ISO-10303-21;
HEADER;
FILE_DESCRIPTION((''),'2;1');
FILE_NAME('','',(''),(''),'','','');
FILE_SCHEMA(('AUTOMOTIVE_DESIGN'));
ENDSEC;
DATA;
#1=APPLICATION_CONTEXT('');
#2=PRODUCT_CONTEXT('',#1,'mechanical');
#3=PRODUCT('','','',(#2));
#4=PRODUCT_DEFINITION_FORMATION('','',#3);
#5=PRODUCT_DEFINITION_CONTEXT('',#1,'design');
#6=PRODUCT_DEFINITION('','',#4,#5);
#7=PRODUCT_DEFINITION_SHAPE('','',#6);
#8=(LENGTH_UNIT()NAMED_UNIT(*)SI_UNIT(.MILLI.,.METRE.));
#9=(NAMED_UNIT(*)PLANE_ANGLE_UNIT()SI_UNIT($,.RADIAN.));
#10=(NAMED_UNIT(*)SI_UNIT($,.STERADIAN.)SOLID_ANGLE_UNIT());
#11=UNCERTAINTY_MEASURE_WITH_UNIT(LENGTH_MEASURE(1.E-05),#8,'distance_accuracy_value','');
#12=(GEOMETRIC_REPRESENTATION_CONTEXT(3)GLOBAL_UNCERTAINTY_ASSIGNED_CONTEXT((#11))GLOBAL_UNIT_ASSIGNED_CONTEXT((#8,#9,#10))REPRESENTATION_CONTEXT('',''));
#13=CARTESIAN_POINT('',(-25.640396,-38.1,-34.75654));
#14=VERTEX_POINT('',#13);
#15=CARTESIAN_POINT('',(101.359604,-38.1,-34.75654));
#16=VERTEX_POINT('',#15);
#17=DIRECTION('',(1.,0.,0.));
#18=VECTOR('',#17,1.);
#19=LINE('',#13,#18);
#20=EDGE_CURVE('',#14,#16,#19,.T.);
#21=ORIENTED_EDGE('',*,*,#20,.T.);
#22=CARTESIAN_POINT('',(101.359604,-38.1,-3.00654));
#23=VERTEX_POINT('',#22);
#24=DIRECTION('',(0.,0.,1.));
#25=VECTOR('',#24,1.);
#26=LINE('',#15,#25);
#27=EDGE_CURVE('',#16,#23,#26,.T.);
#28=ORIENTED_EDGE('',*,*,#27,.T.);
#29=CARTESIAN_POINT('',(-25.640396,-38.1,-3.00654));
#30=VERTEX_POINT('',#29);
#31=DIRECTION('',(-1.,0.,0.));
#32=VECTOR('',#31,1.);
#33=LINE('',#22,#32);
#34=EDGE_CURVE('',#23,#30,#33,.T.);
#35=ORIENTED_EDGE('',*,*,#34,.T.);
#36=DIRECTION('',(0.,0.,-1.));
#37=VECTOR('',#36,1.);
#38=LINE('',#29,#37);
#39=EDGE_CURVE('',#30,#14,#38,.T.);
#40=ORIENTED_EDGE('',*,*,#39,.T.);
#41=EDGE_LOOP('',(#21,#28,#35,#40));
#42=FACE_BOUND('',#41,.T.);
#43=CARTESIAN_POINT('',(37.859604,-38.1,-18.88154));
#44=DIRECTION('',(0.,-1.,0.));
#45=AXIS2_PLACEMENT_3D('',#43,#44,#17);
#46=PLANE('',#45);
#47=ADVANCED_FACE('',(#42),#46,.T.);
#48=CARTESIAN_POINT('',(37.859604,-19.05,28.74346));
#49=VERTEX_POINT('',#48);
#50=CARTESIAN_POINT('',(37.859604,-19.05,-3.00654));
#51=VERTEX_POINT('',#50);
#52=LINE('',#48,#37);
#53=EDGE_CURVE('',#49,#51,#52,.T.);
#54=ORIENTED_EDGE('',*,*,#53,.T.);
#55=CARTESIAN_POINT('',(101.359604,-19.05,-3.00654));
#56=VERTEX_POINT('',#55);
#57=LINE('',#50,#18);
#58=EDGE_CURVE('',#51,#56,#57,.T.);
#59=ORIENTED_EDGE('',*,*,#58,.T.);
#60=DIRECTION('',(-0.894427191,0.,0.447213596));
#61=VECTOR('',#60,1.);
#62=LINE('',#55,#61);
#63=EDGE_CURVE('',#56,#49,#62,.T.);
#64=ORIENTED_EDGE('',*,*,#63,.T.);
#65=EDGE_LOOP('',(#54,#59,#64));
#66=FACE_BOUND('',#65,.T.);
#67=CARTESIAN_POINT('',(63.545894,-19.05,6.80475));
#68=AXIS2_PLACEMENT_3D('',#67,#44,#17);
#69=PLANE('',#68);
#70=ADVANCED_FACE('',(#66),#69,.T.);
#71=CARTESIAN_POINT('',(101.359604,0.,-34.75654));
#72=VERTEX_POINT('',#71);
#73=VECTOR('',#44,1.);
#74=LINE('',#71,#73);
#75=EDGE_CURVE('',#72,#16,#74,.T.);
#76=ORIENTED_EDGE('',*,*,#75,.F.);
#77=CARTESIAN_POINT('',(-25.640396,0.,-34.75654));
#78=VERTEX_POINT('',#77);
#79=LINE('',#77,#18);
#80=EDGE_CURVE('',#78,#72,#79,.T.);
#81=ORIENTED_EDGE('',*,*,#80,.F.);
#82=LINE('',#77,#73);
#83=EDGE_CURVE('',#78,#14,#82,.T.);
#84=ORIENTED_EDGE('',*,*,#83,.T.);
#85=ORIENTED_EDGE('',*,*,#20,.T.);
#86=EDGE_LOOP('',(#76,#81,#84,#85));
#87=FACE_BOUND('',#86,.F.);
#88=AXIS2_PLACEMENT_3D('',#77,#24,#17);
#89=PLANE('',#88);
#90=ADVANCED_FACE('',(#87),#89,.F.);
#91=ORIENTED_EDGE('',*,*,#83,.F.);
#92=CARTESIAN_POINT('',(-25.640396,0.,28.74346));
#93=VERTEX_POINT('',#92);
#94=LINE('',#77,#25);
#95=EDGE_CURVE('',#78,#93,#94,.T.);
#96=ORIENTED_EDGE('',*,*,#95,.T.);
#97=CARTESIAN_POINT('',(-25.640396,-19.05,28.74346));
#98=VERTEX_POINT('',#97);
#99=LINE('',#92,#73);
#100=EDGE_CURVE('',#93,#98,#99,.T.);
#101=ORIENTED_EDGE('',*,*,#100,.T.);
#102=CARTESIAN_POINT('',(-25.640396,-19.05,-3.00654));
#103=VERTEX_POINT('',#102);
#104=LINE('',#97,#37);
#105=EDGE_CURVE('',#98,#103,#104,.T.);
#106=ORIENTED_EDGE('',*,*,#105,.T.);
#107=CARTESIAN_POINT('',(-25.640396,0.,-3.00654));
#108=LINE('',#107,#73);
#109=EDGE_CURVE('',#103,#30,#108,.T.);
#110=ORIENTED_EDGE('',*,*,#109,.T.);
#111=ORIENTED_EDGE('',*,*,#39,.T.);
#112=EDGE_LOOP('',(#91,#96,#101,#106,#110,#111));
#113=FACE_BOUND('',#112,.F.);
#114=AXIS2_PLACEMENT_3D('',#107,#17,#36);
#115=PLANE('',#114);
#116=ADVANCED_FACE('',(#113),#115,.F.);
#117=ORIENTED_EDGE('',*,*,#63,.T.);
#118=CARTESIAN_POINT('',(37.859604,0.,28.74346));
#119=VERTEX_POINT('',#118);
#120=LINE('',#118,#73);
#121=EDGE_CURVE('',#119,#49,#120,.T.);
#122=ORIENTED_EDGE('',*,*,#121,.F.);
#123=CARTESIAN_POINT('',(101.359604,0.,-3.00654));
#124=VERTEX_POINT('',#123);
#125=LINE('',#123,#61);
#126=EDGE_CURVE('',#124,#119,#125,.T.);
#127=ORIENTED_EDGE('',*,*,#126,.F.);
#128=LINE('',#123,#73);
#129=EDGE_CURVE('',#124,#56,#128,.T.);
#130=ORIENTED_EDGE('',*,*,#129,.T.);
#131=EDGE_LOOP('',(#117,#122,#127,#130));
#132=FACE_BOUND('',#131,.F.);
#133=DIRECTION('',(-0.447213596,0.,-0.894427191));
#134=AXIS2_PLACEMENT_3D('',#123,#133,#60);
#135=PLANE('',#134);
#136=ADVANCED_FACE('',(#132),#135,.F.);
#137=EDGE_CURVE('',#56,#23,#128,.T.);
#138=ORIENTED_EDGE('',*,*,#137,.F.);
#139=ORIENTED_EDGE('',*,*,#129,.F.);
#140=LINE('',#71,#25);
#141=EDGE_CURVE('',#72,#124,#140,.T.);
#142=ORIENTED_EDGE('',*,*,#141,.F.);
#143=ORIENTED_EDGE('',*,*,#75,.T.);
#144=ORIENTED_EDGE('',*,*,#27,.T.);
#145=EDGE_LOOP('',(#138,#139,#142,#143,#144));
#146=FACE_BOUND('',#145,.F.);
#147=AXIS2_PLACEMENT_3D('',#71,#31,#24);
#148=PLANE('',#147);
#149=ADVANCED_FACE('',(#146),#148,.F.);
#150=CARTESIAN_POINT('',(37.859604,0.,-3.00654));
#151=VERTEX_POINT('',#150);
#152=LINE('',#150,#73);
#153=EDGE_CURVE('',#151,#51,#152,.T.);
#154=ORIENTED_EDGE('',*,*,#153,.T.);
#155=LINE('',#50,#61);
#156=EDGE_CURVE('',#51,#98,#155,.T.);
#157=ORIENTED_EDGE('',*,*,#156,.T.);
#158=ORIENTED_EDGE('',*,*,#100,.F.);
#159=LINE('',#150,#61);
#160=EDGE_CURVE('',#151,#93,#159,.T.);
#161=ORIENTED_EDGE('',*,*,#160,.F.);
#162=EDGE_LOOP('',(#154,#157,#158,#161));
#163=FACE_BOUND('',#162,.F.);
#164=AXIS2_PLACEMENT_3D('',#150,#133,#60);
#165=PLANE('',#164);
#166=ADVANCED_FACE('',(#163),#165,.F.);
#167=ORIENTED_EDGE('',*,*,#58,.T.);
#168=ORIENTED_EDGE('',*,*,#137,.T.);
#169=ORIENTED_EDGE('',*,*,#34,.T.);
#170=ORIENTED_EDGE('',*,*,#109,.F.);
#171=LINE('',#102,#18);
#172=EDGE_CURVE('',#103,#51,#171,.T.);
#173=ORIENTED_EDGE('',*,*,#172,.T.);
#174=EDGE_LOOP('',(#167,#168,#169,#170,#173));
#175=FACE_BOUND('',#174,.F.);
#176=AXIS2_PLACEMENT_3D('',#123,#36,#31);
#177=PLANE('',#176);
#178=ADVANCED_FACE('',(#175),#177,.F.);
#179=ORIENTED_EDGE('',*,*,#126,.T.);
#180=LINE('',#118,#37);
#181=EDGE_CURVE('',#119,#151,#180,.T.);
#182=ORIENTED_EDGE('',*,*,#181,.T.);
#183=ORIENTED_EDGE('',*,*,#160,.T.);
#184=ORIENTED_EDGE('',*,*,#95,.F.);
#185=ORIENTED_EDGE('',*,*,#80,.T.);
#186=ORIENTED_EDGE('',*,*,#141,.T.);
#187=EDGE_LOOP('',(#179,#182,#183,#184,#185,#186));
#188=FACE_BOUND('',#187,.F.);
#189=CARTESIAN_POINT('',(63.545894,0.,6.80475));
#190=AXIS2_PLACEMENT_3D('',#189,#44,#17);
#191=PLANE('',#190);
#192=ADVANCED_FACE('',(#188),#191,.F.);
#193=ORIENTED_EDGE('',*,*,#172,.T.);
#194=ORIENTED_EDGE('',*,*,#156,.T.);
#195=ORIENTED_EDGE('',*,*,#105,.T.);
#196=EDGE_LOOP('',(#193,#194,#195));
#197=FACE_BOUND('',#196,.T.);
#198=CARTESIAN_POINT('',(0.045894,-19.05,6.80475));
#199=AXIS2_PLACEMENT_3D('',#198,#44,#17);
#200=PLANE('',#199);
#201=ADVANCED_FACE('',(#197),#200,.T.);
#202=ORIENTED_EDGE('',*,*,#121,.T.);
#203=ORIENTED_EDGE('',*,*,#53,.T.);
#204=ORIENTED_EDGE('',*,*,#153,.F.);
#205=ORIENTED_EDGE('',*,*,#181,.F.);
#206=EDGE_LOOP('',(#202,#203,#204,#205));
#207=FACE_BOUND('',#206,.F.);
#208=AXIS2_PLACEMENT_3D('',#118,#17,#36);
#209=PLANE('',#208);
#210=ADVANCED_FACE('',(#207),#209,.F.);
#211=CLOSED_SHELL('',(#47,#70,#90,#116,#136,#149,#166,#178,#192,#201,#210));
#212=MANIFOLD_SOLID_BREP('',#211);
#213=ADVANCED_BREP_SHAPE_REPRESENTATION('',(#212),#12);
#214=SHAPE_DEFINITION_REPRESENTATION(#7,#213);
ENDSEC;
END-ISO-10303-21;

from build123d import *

# Parameters (mm, degrees)
F1_DEPTH = 38.1
F2_DEPTH = 19.05


with BuildPart() as f1:
    # F0 (on Front) → F1 (new body)
    with BuildSketch(Plane.XZ):
        Polygon((-25.6403960005, -3.0065396173), (-25.6403960005, -34.7565396173), (101.3596039995, -34.7565396173), (101.3596039995, -3.0065396173), (37.8596039995, -3.0065396173), align=None)
    extrude(amount=F1_DEPTH)

    # F0 (on Front) → F2 (join)
    with BuildSketch(Plane.XZ):
        Polygon((37.8596039995, -3.0065396173), (101.3596039995, -3.0065396173), (37.8596039995, 28.7434603827), align=None)
        Polygon((-25.6403960005, 28.7434603827), (-25.6403960005, -3.0065396173), (37.8596039995, -3.0065396173), align=None)
    extrude(amount=F2_DEPTH)


solid = f1.part
